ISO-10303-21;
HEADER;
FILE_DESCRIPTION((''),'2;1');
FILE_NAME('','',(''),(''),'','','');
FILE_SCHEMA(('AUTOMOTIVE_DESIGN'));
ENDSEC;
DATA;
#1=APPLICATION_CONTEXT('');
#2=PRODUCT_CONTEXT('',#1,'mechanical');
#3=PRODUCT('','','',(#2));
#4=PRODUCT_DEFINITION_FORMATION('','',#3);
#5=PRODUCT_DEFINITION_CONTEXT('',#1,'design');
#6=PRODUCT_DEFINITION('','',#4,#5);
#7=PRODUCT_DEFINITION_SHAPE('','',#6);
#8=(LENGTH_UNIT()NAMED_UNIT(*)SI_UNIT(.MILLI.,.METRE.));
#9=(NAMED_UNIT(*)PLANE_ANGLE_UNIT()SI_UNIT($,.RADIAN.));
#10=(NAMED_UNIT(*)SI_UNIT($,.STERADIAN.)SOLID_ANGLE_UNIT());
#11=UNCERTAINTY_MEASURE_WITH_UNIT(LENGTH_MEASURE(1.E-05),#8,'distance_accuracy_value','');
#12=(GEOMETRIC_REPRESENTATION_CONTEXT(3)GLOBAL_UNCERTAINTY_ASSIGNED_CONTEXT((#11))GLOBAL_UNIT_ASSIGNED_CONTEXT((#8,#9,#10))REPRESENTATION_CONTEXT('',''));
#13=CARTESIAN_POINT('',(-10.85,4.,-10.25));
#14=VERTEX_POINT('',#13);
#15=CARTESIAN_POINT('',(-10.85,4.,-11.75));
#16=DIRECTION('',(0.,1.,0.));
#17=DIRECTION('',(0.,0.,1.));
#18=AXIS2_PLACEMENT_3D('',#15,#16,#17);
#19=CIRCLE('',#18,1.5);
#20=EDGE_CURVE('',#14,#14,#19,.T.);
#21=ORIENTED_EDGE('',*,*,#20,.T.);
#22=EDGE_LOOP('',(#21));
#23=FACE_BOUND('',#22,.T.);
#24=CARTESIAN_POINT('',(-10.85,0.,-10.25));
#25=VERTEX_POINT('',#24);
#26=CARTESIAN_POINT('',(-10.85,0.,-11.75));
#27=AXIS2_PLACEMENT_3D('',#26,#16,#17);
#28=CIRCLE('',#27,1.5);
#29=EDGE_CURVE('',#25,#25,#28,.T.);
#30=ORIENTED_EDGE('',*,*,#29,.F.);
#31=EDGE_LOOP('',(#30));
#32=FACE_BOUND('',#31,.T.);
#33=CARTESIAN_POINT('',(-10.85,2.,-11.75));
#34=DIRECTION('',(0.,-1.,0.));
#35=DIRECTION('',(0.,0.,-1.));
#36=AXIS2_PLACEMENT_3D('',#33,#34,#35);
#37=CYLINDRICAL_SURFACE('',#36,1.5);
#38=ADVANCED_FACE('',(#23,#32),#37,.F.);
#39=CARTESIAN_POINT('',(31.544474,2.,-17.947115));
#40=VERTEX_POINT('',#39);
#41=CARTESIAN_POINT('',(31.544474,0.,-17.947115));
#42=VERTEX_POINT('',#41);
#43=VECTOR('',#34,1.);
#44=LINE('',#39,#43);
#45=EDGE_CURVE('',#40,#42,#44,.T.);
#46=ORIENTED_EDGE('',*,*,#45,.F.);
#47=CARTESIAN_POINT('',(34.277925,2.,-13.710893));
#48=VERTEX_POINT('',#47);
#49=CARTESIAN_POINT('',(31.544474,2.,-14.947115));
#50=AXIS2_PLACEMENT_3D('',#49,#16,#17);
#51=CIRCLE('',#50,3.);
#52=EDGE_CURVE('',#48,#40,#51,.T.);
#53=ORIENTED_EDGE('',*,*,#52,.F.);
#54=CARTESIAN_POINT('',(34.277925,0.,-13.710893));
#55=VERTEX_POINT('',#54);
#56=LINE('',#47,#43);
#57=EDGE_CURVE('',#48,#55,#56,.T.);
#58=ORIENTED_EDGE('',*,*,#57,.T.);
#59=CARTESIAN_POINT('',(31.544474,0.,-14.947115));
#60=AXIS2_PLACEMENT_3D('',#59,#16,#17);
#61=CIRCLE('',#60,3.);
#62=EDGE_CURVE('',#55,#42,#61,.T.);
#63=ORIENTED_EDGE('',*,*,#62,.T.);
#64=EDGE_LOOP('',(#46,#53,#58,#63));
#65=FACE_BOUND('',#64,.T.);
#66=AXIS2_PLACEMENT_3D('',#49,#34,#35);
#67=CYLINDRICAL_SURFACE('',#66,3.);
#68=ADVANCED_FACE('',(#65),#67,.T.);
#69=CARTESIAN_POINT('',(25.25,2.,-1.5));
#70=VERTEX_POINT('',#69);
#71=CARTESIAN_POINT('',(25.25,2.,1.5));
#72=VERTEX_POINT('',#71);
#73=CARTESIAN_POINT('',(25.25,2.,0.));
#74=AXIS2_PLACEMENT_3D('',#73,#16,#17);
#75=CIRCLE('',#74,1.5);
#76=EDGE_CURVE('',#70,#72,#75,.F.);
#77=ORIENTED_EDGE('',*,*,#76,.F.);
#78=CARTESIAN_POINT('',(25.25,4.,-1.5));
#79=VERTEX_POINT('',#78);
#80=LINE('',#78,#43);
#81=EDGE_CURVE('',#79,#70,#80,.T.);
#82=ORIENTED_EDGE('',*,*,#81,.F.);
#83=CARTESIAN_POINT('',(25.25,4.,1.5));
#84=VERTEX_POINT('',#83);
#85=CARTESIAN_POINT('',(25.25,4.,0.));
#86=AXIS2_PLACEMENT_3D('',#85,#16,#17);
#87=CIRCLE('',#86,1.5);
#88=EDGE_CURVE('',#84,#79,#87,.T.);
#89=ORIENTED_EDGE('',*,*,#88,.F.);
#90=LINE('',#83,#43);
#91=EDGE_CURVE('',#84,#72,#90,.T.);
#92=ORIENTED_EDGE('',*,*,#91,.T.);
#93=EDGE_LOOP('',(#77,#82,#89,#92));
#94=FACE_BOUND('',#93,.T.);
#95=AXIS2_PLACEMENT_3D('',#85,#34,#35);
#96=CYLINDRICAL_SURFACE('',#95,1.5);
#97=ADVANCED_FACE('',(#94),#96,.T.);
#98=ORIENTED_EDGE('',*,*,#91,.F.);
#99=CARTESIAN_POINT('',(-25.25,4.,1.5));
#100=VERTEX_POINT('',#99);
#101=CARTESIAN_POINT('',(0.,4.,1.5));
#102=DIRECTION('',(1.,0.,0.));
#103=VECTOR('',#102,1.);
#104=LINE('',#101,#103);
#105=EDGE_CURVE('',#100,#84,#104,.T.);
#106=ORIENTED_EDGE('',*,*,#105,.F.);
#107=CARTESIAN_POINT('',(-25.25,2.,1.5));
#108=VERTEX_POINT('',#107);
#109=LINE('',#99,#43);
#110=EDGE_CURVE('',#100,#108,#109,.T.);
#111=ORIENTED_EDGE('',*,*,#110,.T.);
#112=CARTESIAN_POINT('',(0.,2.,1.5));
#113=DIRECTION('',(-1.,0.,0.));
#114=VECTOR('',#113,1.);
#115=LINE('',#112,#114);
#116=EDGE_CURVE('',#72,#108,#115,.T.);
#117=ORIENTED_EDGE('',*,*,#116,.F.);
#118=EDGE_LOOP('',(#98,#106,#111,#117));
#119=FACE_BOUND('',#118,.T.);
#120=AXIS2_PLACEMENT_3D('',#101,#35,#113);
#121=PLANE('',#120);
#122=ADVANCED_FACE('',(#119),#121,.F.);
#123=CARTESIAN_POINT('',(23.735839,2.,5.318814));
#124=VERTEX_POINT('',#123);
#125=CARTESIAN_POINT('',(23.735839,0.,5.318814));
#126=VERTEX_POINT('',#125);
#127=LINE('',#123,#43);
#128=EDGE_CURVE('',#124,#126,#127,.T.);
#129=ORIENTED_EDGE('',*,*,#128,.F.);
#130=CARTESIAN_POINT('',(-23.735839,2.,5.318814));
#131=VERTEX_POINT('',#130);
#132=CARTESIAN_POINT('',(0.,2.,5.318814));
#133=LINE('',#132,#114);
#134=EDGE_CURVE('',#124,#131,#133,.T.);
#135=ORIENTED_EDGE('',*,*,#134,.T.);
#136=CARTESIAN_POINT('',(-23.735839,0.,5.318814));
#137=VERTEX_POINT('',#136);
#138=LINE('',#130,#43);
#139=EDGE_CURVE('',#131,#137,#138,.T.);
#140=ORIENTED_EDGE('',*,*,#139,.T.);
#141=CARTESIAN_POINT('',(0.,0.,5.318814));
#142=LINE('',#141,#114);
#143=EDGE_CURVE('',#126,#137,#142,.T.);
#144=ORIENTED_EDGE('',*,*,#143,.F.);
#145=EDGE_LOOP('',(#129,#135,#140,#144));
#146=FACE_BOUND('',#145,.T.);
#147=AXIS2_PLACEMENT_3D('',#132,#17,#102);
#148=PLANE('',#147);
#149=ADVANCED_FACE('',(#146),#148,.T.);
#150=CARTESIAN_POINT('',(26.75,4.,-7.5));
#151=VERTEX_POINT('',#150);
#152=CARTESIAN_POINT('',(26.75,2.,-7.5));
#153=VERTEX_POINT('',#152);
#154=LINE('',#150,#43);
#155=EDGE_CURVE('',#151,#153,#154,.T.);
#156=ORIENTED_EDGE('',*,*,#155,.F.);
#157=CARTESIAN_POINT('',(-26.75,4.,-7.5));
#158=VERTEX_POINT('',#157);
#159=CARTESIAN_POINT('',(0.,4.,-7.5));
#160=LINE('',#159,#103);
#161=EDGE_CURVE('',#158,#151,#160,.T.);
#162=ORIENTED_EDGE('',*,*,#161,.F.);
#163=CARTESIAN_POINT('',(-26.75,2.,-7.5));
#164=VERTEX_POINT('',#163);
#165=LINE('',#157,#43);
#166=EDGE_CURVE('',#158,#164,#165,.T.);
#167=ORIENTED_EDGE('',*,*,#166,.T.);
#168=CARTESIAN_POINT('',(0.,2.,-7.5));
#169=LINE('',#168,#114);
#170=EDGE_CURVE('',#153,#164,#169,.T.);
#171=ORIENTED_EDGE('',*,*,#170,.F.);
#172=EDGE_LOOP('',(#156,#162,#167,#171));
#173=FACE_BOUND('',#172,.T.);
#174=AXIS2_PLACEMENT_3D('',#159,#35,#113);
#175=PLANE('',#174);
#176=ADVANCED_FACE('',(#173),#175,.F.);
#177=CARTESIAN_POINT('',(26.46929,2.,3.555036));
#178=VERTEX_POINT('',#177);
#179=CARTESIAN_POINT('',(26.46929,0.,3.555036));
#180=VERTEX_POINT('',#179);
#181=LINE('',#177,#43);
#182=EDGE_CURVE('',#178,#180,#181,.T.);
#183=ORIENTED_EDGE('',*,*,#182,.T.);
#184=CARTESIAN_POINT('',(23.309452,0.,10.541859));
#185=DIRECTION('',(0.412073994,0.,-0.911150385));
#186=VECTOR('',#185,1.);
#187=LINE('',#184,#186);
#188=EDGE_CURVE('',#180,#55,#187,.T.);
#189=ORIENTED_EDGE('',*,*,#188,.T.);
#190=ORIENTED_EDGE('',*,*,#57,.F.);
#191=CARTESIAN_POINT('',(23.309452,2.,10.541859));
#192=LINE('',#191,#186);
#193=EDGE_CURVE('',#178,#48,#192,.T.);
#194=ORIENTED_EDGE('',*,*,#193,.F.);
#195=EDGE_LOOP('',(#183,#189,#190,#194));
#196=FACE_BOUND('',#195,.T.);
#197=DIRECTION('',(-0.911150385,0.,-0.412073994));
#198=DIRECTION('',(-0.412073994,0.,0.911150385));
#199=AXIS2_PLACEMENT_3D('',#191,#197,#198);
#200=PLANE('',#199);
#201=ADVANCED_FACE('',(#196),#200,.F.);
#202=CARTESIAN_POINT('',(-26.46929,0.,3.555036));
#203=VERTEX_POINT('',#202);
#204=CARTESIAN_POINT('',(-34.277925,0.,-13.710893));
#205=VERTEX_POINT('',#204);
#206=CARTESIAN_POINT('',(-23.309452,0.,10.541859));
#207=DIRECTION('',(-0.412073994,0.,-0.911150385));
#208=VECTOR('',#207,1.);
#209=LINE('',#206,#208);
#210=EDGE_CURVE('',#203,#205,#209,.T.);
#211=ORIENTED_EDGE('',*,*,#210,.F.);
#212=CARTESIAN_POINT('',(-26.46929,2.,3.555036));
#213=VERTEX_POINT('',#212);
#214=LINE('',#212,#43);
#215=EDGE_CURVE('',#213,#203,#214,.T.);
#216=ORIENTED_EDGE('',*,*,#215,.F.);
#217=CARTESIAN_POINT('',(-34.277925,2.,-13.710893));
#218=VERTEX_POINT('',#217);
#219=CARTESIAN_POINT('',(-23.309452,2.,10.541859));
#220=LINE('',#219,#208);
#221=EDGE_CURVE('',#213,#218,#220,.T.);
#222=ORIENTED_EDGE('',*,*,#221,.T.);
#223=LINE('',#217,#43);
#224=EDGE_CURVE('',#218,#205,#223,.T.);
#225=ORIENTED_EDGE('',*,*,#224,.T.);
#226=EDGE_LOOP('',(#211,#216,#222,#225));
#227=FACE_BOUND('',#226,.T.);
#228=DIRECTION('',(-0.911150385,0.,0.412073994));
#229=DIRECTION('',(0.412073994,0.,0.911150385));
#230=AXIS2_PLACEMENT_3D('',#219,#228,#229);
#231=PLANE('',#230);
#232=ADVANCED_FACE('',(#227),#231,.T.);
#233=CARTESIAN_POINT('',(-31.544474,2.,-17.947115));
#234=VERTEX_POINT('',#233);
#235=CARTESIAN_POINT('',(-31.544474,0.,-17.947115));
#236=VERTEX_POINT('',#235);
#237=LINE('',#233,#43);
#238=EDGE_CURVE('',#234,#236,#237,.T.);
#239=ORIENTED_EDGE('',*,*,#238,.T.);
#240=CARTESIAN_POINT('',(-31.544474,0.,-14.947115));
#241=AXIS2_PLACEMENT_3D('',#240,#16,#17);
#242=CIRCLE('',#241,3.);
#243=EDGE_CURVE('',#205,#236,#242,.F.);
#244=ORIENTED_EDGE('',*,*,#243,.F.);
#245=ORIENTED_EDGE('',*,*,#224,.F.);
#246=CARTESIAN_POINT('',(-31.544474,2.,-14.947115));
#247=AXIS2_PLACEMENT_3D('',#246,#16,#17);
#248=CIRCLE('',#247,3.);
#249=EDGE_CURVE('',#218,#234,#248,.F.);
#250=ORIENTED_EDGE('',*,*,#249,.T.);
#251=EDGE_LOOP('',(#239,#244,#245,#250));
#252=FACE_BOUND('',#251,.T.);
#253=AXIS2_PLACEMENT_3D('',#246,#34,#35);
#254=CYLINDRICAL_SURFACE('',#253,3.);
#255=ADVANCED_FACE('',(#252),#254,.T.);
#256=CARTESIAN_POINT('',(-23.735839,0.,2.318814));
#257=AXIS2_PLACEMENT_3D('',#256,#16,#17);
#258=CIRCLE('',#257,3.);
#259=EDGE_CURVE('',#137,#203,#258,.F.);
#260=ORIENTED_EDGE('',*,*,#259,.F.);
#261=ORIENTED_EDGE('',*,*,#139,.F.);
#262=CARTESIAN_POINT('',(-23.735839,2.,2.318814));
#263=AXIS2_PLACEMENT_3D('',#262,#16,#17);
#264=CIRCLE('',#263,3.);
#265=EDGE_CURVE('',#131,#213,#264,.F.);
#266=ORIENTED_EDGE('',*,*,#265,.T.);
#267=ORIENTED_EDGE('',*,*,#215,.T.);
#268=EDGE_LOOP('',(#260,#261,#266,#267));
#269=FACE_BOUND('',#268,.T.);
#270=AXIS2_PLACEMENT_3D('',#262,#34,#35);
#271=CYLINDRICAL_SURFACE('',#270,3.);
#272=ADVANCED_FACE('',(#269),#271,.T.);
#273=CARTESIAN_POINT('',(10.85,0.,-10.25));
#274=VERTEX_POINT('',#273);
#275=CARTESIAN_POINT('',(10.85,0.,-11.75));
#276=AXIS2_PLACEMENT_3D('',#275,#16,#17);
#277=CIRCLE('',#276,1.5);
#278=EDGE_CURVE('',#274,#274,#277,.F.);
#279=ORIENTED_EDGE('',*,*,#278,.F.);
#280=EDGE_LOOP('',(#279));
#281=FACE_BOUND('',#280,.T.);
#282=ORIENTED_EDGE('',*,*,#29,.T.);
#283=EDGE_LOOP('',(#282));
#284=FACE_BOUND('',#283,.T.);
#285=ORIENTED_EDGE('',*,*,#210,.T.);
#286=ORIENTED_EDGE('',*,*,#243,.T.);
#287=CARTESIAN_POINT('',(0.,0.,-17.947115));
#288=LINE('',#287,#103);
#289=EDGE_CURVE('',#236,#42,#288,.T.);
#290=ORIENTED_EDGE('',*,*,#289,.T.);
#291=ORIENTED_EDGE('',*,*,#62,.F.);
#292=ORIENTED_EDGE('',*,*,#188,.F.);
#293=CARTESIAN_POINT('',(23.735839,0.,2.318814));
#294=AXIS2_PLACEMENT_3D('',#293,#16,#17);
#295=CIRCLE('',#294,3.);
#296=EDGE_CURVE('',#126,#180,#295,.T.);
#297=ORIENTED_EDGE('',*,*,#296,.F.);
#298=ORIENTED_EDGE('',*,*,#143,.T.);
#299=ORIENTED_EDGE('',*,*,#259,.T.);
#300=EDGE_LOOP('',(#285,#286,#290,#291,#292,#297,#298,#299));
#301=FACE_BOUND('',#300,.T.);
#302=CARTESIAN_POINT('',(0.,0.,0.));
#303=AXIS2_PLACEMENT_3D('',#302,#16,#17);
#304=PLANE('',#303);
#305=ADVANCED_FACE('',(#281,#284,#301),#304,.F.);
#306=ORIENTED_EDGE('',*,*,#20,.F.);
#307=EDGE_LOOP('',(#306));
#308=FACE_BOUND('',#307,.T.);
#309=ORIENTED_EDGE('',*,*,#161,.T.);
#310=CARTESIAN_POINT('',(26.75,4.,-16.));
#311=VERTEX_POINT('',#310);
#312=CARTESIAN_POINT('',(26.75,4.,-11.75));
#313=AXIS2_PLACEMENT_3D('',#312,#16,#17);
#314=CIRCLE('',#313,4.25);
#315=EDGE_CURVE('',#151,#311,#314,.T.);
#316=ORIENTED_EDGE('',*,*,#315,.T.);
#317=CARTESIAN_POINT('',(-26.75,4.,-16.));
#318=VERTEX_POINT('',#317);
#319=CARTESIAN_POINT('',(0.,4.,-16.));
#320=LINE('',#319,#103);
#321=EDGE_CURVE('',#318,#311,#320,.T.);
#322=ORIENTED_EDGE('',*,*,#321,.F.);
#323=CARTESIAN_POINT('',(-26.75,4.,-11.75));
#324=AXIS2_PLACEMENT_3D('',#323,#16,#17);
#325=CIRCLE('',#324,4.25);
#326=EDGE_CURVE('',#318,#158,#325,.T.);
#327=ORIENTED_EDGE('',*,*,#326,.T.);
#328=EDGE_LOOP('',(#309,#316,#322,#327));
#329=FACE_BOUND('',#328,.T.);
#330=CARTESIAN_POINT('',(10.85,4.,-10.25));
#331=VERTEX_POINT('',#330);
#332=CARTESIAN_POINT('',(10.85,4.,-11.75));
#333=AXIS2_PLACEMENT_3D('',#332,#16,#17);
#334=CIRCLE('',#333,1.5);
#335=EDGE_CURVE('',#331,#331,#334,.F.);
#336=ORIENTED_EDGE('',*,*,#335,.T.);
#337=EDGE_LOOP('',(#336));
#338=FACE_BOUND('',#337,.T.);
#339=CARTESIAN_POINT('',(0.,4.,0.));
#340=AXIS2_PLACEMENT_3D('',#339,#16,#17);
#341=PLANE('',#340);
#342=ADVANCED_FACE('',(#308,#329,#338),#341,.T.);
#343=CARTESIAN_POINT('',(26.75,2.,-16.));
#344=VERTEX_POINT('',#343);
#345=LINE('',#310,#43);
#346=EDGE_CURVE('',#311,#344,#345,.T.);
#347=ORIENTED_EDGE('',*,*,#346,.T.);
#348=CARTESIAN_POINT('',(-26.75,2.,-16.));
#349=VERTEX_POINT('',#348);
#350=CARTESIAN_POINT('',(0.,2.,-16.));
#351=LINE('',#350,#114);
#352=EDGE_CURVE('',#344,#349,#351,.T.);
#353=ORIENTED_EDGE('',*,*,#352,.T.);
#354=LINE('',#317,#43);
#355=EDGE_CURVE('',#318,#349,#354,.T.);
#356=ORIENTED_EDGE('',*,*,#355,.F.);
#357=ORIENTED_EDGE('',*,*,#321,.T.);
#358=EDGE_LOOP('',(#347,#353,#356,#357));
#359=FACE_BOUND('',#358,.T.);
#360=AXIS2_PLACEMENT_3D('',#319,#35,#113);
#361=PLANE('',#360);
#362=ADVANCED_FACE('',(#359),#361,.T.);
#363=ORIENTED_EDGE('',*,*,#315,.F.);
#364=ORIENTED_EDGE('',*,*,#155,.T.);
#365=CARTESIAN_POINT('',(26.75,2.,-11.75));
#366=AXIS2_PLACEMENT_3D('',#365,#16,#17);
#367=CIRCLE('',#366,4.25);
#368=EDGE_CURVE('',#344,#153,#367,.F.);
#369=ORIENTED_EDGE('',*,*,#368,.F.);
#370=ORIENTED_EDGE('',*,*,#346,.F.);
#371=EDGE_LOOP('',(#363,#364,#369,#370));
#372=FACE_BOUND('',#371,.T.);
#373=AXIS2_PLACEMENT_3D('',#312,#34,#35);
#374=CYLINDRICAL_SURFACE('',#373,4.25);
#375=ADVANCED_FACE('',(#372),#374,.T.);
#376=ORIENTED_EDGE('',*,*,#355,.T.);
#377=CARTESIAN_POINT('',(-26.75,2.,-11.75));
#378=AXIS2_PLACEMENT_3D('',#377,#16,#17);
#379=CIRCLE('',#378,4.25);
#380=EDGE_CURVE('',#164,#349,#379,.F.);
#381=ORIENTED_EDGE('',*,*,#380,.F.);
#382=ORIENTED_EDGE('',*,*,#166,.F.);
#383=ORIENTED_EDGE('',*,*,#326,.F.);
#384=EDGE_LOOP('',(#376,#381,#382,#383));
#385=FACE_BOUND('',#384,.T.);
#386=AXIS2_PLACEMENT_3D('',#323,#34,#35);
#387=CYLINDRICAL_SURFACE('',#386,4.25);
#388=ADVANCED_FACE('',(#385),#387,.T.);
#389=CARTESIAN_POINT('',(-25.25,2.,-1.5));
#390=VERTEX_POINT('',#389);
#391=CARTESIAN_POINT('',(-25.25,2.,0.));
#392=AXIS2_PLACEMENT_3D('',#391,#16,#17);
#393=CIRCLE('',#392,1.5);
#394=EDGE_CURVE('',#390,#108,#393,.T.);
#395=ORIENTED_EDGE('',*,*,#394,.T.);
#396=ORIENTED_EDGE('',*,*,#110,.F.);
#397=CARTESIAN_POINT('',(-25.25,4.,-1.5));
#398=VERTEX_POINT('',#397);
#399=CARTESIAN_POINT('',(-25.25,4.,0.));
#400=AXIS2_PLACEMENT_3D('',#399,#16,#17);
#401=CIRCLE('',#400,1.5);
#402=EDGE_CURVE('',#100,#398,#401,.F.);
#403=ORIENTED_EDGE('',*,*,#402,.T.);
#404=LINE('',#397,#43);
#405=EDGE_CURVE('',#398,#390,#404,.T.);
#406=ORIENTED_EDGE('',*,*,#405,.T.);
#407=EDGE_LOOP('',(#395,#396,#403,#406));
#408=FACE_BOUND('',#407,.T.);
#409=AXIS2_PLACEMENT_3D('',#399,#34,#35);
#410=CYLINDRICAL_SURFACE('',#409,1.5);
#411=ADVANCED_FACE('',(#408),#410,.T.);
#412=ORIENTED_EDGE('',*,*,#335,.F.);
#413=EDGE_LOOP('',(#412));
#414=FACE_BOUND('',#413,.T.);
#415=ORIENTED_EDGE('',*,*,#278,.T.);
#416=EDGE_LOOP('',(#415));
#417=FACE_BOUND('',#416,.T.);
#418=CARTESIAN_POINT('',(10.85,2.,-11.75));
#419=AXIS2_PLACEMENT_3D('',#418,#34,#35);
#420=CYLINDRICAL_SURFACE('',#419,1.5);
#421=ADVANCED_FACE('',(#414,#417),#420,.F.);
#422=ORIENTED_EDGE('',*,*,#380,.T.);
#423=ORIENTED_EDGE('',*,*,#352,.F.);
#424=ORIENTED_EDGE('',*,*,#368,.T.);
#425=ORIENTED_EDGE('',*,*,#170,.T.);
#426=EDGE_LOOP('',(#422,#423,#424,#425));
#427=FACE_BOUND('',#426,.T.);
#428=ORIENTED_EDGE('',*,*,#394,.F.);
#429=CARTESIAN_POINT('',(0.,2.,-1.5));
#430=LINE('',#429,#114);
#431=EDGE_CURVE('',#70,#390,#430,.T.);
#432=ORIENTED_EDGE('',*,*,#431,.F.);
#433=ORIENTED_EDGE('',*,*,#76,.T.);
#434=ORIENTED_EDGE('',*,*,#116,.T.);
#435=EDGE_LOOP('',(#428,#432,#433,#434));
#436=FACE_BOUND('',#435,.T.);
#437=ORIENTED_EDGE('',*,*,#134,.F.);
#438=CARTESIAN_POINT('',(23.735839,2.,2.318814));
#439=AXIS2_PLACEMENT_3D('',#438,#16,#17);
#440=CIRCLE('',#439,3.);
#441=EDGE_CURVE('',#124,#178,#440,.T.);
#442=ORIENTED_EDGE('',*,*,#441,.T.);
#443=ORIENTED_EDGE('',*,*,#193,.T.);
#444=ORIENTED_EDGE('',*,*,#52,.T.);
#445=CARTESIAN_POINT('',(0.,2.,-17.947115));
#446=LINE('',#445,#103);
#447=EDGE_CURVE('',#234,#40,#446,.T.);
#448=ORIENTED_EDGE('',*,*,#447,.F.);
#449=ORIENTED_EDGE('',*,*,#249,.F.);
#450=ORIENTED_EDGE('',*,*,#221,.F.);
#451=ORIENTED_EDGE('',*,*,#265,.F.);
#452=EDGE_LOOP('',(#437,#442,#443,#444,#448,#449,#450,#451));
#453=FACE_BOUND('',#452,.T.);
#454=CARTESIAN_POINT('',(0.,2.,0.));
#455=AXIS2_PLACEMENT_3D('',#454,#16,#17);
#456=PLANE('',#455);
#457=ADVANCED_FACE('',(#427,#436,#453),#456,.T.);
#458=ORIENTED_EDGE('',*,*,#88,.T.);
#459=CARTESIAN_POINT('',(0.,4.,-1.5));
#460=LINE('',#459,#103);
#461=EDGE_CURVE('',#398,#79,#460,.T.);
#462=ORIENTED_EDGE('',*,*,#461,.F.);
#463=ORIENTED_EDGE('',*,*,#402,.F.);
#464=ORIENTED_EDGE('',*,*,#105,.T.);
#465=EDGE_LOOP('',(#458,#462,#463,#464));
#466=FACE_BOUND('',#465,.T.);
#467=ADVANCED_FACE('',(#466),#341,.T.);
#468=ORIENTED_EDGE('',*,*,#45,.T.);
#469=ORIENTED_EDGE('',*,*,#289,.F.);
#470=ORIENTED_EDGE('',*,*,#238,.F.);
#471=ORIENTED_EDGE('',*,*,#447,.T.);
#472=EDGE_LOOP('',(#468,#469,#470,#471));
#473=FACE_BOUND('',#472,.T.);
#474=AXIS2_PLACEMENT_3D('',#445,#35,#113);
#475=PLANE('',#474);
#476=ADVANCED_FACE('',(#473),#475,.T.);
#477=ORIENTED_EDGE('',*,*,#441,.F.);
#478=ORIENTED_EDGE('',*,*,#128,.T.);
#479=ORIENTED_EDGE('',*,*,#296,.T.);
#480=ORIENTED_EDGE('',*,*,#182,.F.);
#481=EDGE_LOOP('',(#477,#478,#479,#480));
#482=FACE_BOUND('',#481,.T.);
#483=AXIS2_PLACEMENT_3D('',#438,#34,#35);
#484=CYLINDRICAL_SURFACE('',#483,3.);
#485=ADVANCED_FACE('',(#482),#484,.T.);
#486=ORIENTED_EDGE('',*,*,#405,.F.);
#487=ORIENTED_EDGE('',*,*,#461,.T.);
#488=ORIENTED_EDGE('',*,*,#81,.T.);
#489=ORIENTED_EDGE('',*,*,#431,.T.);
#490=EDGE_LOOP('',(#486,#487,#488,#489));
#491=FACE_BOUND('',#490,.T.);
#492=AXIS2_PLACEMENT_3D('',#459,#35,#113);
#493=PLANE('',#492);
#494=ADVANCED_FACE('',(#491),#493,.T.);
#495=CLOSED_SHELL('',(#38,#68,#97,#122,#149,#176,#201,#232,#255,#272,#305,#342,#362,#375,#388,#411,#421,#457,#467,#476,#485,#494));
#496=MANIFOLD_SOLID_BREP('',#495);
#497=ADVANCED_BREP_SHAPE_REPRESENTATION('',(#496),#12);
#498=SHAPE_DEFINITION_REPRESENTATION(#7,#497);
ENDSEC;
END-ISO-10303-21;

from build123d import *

# Parameters (mm, degrees)
SKETCH_1_R      = 1.5
EXTRUDE_1_DEPTH = 2
SKETCH_1_3_R    = 1.5
EXTRUDE_2_DEPTH = 4


with BuildPart() as part:
    # 草图1 → 凸台-拉伸1 (new body)
    with BuildSketch(Plane(origin=(0, 0, 0), x_dir=(1, 0, 0), z_dir=(0, 1, 0))):
        with BuildLine():
            Line((-23.735839254, -5.318814311), (23.735839254, -5.318814311))
            ThreePointArc((23.735839254, -5.318814311), (25.362389906, -4.839594543), (26.469290407, -3.555036294))
            Line((26.469290407, -3.555036294), (34.277924852, 13.710892585))
            ThreePointArc((34.277924852, 13.710892585), (34.06525393, 16.57366522), (31.544473698, 17.947114568))
            Line((31.544473698, 17.947114568), (-31.544473698, 17.947114568))
            ThreePointArc((-31.544473698, 17.947114568), (-34.06525393, 16.57366522), (-34.277924852, 13.710892585))
            Line((-34.277924852, 13.710892585), (-26.469290407, -3.555036294))
            ThreePointArc((-26.469290407, -3.555036294), (-25.362389906, -4.839594543), (-23.735839254, -5.318814311))
        make_face()
        with Locations((-10.85, 11.75)):
            Circle(SKETCH_1_R, mode=Mode.SUBTRACT)
        with Locations((10.85, 11.75)):
            Circle(SKETCH_1_R, mode=Mode.SUBTRACT)
    extrude(amount=EXTRUDE_1_DEPTH)

    # 草图1<3> → 凸台-拉伸2 (add)
    # profile 1 of 2: a face of its own
    with BuildSketch(Plane(origin=(0, 0, 0), x_dir=(1, 0, 0), z_dir=(0, 1, 0))):
        with BuildLine():
            Line((26.75, 16), (-26.75, 16))
            ThreePointArc((-26.75, 16), (-31, 11.75), (-26.75, 7.5))
            Line((-26.75, 7.5), (26.75, 7.5))
            ThreePointArc((26.75, 7.5), (31, 11.75), (26.75, 16))
        make_face()
        with Locations((-10.85, 11.75)):
            Circle(SKETCH_1_3_R, mode=Mode.SUBTRACT)
        with Locations((10.85, 11.75)):
            Circle(SKETCH_1_3_R, mode=Mode.SUBTRACT)
    # profile 2 of 2: a face of its own
    with BuildSketch(Plane(origin=(0, 0, 0), x_dir=(1, 0, 0), z_dir=(0, 1, 0))):
        with BuildLine():
            ThreePointArc((-25.25, 1.5), (-26.75, 0), (-25.25, -1.5))
            Line((-25.25, -1.5), (25.25, -1.5))
            ThreePointArc((25.25, -1.5), (26.75, 0), (25.25, 1.5))
            Line((25.25, 1.5), (-25.25, 1.5))
        make_face()
    extrude(amount=EXTRUDE_2_DEPTH)


solid = part.part
